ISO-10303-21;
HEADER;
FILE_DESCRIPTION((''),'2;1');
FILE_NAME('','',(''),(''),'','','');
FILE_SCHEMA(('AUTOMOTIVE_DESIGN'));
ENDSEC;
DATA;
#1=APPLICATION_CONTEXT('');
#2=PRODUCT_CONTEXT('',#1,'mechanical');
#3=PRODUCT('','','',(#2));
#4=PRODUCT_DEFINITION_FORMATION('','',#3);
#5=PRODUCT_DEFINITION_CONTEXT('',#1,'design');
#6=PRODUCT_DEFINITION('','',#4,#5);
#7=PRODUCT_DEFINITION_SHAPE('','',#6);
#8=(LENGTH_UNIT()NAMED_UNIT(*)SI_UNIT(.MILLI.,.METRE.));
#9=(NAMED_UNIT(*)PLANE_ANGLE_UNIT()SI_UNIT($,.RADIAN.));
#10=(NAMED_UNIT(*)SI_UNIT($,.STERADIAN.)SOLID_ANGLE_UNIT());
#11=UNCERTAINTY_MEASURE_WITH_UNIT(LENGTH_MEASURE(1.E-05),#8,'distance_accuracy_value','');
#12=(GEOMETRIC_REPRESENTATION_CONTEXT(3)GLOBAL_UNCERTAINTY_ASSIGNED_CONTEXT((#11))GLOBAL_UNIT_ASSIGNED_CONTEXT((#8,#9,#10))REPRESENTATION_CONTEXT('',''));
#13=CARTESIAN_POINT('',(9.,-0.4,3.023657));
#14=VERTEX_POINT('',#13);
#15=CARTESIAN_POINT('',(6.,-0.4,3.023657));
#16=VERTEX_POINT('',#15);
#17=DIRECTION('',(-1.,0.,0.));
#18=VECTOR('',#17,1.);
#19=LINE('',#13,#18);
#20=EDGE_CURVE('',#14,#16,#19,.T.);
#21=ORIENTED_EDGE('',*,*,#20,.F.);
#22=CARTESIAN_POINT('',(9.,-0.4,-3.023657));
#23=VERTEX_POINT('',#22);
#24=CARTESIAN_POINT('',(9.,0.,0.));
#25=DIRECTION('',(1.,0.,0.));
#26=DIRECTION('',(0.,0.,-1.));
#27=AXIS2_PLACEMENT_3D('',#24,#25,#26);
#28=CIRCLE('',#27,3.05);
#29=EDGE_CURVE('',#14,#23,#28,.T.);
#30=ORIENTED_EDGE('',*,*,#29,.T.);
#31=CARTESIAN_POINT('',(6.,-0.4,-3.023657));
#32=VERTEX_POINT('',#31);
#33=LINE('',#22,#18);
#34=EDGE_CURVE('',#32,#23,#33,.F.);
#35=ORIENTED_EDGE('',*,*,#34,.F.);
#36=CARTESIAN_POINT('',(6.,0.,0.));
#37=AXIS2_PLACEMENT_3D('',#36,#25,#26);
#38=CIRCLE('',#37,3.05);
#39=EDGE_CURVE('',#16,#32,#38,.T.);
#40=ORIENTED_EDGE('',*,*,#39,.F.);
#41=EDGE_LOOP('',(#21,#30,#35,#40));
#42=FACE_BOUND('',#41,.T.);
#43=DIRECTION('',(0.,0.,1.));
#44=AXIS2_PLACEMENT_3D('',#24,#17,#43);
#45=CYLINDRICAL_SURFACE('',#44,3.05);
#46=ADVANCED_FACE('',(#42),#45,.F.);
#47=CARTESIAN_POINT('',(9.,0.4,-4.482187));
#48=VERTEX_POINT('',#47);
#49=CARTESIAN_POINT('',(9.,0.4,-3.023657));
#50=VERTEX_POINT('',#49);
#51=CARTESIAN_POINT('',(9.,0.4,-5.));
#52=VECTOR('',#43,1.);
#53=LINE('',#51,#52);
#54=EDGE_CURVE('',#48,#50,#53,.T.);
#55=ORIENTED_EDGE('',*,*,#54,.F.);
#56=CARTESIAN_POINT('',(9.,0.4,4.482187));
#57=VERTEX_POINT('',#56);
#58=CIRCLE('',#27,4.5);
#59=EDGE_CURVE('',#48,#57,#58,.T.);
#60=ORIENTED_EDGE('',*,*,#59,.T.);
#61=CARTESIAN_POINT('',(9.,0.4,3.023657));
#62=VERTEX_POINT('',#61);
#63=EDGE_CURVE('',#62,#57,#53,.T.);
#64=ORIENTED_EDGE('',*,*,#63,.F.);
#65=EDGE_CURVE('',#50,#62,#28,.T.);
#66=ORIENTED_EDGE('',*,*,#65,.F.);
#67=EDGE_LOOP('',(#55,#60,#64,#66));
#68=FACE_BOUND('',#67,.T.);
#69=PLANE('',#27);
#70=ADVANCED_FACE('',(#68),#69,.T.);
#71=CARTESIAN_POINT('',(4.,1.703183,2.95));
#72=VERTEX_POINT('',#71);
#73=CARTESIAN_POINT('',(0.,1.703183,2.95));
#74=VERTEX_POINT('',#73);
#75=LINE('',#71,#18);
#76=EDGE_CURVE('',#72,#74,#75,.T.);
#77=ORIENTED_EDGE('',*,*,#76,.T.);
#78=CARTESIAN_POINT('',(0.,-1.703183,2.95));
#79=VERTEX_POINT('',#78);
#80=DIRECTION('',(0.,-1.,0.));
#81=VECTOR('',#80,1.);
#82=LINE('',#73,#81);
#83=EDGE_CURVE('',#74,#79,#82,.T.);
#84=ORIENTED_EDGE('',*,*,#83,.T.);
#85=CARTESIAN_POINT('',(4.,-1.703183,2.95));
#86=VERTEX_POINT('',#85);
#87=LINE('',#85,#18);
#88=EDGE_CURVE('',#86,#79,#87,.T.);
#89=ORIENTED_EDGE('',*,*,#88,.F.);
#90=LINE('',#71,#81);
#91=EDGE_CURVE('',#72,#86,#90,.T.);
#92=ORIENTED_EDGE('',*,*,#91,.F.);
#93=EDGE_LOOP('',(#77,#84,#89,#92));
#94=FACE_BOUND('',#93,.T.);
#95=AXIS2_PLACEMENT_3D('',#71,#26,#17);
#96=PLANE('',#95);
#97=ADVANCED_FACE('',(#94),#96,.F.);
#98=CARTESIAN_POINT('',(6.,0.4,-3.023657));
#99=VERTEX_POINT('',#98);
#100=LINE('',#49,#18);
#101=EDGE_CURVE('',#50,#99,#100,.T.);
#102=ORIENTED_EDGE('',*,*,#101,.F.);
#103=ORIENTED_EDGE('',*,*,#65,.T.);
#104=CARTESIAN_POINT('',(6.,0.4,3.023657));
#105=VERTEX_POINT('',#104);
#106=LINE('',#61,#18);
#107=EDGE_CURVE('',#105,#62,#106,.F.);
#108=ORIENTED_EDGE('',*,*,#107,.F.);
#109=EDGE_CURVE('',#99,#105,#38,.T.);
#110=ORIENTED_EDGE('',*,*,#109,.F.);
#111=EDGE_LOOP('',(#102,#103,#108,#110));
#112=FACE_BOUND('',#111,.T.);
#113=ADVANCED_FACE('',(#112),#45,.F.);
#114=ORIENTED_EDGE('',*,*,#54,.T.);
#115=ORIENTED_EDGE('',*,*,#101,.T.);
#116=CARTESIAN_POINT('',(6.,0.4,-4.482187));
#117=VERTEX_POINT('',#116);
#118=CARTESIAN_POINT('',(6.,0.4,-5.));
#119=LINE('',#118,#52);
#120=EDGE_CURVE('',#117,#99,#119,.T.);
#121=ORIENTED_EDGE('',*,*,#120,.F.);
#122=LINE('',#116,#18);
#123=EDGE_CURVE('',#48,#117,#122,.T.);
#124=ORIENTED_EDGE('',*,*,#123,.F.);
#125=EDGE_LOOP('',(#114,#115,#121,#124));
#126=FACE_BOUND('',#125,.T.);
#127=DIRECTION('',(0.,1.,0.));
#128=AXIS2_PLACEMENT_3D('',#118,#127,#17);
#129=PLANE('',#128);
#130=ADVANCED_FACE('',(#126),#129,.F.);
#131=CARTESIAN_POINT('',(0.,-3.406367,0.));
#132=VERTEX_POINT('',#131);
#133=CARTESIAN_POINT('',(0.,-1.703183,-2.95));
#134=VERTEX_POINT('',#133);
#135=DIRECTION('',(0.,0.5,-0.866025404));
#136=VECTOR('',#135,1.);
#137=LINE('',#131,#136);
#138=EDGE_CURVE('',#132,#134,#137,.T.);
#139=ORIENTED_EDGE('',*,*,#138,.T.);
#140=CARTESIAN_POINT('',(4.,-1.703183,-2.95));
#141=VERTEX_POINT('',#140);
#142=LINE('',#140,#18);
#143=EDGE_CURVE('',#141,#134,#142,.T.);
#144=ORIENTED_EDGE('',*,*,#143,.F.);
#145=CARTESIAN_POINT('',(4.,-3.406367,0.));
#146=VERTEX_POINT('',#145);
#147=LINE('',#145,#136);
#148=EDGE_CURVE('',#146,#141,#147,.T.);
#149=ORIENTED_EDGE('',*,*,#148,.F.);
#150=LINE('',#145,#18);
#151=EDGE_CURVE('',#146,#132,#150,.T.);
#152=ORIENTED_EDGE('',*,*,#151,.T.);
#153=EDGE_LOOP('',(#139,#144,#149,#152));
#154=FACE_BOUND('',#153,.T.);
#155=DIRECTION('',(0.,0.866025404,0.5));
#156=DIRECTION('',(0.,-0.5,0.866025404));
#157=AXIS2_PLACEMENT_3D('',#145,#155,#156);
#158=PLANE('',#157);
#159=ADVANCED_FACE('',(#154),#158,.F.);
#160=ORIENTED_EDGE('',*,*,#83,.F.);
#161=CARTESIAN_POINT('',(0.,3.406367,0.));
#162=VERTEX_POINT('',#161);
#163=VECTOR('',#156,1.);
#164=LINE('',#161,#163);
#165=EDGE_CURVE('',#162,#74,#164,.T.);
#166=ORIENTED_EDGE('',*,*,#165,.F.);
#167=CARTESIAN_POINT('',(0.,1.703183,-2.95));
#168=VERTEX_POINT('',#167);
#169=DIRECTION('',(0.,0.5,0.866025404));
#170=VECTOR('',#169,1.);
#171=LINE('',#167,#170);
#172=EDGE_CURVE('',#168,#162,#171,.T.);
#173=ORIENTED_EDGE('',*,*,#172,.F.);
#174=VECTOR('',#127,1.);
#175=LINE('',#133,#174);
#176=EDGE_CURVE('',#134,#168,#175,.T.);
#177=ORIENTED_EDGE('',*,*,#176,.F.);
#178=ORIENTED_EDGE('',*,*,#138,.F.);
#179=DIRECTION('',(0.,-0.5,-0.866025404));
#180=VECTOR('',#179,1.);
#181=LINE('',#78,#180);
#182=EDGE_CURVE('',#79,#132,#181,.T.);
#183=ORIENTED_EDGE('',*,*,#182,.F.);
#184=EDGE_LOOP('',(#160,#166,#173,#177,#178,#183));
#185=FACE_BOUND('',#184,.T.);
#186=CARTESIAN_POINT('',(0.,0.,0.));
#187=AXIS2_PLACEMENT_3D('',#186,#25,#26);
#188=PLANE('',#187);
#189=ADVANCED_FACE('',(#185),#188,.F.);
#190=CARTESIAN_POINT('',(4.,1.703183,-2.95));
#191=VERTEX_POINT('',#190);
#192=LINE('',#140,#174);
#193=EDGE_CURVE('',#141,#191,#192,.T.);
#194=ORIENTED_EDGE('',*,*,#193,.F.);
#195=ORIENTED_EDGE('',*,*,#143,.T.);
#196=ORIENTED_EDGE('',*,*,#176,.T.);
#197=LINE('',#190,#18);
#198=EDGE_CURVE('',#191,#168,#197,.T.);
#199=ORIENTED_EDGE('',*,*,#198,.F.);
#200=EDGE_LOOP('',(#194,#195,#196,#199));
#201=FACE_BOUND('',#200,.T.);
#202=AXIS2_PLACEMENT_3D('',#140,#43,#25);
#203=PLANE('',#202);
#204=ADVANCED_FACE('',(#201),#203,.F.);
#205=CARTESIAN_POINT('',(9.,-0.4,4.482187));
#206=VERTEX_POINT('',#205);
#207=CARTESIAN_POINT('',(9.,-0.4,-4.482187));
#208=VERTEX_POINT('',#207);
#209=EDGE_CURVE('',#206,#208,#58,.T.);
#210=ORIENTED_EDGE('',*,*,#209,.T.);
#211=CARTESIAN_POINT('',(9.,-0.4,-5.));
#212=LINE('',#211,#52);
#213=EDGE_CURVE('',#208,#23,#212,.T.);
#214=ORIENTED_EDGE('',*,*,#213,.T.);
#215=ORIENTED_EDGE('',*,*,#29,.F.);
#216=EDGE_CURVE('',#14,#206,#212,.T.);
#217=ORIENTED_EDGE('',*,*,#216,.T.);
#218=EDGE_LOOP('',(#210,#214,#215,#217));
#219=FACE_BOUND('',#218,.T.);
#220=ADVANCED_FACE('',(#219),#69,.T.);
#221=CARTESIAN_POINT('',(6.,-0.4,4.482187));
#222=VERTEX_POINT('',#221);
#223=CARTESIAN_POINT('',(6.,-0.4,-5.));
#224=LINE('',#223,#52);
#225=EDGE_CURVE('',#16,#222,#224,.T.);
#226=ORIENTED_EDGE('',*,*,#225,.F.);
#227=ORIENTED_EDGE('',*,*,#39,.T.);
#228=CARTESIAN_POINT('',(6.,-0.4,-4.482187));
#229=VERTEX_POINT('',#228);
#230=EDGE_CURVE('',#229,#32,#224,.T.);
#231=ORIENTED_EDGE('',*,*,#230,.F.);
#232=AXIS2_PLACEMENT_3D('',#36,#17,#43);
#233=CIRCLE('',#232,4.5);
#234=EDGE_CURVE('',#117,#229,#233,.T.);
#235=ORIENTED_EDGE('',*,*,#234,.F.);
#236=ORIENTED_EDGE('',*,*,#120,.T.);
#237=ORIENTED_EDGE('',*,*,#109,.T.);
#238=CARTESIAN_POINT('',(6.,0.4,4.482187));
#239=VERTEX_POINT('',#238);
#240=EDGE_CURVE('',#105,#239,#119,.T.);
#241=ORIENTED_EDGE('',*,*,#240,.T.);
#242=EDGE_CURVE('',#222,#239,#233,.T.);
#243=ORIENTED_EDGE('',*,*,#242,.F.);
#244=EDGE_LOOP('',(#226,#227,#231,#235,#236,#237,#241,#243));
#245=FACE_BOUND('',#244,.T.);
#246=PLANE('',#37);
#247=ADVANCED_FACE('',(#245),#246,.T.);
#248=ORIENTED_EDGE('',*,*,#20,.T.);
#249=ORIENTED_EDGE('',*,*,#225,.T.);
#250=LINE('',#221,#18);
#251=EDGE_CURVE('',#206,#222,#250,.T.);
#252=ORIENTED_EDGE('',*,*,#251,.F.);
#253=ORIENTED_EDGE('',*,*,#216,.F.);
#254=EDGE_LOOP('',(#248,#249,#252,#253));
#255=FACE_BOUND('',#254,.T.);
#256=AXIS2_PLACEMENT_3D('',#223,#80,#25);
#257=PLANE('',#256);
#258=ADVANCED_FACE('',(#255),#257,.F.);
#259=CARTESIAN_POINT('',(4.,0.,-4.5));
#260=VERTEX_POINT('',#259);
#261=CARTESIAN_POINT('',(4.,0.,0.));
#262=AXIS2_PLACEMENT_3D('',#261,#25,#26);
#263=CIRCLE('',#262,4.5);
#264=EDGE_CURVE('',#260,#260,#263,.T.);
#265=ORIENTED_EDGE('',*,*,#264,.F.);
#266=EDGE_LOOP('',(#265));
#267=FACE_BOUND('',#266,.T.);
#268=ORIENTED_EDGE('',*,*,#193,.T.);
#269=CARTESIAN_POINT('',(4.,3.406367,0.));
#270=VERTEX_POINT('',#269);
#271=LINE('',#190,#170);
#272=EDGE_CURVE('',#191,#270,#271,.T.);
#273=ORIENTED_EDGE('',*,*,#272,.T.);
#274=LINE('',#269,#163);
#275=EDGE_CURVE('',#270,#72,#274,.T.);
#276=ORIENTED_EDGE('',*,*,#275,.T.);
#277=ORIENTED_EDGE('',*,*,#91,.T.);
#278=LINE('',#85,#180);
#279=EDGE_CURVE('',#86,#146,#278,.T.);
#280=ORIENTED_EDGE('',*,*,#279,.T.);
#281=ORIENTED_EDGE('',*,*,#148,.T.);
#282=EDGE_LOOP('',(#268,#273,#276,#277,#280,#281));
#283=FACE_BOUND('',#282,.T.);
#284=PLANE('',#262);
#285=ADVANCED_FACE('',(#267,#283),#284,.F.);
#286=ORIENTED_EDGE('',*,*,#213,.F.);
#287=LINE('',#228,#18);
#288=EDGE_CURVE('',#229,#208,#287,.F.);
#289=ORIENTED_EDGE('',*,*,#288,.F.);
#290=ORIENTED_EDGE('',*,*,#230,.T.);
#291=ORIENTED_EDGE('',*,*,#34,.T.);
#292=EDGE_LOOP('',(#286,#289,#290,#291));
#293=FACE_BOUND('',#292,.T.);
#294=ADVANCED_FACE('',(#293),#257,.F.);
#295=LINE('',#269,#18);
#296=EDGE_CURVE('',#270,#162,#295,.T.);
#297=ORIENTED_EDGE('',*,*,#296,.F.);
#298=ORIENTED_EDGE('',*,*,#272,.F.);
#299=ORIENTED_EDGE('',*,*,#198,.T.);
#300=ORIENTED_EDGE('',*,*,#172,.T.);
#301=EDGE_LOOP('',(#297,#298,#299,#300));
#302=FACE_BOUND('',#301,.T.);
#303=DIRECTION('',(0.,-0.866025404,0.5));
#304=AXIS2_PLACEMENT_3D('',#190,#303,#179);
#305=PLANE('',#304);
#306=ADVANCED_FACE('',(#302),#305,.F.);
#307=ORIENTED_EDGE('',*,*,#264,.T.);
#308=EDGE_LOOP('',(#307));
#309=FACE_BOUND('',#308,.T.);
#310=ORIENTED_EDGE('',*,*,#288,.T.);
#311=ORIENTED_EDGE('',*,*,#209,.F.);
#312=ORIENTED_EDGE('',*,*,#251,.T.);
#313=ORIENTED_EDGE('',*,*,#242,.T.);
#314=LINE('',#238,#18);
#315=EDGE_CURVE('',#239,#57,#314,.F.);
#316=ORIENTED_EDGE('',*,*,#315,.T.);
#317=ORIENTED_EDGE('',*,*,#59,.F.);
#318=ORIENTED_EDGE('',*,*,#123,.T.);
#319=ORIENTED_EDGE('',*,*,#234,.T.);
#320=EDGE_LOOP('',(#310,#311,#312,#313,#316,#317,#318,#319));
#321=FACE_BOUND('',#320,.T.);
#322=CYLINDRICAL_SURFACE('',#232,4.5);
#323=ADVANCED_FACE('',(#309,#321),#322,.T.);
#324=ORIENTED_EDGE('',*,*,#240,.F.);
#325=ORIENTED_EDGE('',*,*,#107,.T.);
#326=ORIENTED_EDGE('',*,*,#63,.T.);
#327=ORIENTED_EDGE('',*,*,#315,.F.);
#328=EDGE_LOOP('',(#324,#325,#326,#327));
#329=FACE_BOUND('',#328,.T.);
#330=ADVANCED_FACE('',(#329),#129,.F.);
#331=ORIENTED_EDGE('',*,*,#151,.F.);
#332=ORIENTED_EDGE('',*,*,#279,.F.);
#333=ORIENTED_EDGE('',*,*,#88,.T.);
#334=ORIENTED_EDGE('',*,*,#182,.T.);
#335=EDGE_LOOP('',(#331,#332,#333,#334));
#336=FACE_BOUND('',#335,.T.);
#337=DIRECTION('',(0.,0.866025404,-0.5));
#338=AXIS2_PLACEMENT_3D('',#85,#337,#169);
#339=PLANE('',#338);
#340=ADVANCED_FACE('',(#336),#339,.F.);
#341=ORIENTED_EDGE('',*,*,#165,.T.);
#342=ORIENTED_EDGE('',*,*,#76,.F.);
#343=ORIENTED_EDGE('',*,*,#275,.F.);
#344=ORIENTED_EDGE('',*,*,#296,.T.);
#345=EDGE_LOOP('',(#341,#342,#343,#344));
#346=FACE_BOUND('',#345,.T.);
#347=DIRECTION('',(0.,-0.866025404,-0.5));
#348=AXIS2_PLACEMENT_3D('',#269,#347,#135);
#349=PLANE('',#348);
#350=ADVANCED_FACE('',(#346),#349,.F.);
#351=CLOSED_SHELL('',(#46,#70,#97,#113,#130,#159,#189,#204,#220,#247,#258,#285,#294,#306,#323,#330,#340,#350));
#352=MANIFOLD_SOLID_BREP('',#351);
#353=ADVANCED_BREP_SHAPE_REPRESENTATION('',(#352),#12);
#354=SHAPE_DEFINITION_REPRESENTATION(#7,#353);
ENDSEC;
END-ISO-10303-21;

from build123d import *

# Parameters (mm, degrees)
BOSS_EXTRUDE1_DEPTH = 4
SKETCH2_R           = 4.5
BOSS_EXTRUDE2_DEPTH = 2
SKETCH3_R           = 4.5
SKETCH3_R_2         = 3.05
BOSS_EXTRUDE3_DEPTH = 3
SKETCH4_W           = 0.8
SKETCH4_H           = 3
CUT_EXTRUDE1_DEPTH  = 5


with BuildPart() as part:
    # Sketch1 → Boss-Extrude1 (new body)
    with BuildSketch(Plane.YZ):
        Polygon((1.703183294, -2.95), (3.406366588, 0), (1.703183294, 2.95), (-1.703183294, 2.95), (-3.406366588, 0), (-1.703183294, -2.95), align=None)
    extrude(amount=BOSS_EXTRUDE1_DEPTH)

    # Sketch2 → Boss-Extrude2 (add)
    with BuildSketch(Plane.YZ.offset(4)):
        with Locations(Location((0, 0, 0), (0, 0, 270))):
            Circle(SKETCH2_R)
    extrude(amount=BOSS_EXTRUDE2_DEPTH)

    # Sketch3 → Boss-Extrude3 (add)
    with BuildSketch(Plane.YZ.offset(6)):
        with Locations(Location((0, 0, 0), (0, 0, 270))):
            Circle(SKETCH3_R)
        with Locations(Location((0, 0, 0), (0, 0, 270))):
            Circle(SKETCH3_R_2, mode=Mode.SUBTRACT)
    extrude(amount=BOSS_EXTRUDE3_DEPTH)

    # Sketch4 → Cut-Extrude1 (cut, symmetric)
    with BuildSketch(Plane(origin=(0, 0, 0), x_dir=(0, 1, 0), z_dir=(0, 0, 1))):
        with Locations((0, -7.5)):
            Rectangle(SKETCH4_W, SKETCH4_H)
    extrude(amount=CUT_EXTRUDE1_DEPTH, both=True, mode=Mode.SUBTRACT)


solid = part.part
